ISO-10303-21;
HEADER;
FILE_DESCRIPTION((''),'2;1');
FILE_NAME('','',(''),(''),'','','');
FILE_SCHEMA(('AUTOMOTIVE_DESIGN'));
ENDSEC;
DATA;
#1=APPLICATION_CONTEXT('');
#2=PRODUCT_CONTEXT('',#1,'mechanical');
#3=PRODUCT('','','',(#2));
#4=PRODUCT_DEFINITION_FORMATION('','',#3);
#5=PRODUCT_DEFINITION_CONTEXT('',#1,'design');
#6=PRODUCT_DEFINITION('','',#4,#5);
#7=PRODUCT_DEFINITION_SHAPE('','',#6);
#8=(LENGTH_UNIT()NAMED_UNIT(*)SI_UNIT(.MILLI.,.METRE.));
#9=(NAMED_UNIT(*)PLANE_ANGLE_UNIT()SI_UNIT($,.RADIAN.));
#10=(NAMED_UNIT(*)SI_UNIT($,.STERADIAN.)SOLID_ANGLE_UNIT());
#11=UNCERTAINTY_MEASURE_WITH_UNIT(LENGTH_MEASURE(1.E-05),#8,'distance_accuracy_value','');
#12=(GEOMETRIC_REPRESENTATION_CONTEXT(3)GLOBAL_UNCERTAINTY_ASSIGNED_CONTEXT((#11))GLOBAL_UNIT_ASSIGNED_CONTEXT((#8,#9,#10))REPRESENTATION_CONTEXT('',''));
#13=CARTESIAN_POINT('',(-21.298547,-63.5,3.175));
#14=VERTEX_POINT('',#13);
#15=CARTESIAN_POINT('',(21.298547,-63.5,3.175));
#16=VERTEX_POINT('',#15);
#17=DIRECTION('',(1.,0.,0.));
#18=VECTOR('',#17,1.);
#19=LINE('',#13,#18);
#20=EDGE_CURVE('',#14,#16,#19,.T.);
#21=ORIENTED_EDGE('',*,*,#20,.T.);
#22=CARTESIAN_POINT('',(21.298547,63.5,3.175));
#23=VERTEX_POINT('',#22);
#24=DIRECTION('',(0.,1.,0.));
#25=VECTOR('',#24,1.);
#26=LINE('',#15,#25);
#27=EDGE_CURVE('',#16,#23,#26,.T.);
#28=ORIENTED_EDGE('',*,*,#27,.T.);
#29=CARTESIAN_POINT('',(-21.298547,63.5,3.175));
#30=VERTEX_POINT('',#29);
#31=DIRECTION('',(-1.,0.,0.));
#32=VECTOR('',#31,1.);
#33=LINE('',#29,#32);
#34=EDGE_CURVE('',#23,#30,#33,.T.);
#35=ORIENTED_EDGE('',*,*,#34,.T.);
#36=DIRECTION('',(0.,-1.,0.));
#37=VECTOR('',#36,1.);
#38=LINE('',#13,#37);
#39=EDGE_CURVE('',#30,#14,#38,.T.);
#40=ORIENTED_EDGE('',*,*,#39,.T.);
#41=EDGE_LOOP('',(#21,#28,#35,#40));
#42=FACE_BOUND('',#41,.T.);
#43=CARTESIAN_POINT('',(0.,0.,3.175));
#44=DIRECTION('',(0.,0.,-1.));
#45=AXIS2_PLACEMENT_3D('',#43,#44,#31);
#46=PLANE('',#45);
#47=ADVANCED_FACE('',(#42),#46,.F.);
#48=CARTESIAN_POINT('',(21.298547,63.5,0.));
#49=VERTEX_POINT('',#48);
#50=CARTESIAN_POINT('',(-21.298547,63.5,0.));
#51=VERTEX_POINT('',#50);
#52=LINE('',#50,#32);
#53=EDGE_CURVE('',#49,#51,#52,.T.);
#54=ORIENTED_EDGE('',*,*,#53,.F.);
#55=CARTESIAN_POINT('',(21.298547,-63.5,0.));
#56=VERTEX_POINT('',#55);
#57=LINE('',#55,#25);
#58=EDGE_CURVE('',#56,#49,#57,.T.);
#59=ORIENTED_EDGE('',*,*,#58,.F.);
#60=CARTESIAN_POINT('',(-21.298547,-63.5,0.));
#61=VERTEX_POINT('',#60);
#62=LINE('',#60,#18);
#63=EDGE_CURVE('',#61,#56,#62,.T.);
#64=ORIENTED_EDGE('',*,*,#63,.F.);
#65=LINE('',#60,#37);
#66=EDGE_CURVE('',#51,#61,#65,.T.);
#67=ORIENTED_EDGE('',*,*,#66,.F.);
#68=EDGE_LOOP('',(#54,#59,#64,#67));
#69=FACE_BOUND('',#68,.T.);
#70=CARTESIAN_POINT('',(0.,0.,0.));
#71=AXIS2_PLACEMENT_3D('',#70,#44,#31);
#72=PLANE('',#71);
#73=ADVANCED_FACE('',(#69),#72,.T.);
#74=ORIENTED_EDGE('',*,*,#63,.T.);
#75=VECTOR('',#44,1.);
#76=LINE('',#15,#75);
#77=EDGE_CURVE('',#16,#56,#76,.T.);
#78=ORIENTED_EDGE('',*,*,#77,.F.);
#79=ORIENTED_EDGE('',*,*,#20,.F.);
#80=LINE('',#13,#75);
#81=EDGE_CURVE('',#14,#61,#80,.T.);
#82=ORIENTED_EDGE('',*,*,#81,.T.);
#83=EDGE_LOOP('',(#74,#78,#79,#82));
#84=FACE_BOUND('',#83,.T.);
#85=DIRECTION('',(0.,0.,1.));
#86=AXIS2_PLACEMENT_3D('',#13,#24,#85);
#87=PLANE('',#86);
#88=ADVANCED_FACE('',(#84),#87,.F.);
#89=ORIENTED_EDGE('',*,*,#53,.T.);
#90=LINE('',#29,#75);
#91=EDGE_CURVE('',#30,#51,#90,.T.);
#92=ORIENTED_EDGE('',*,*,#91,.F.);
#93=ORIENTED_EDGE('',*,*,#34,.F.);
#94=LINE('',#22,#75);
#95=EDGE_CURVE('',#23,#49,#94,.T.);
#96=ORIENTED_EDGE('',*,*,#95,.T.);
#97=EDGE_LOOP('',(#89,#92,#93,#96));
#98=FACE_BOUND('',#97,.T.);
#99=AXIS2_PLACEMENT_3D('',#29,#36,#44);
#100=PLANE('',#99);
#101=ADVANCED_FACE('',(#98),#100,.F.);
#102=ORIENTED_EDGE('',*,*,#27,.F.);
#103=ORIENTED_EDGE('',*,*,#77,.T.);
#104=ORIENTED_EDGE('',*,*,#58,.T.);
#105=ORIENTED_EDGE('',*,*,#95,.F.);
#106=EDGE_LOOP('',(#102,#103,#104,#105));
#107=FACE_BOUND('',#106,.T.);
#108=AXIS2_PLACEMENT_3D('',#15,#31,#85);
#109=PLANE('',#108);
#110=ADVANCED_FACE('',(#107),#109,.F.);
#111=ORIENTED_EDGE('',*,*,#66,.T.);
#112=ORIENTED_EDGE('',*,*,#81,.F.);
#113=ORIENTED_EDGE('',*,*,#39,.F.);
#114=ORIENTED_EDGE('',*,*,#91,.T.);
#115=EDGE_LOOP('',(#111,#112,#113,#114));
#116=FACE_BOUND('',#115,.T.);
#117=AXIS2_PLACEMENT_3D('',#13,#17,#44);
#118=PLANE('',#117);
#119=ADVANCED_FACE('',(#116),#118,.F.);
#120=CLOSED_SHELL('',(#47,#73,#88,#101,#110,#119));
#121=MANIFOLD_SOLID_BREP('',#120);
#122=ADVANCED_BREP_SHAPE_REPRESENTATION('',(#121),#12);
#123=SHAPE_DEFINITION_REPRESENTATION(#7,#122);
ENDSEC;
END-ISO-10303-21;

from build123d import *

# Parameters (mm, degrees)
SKETCH1_W           = 42.59709497
SKETCH1_H           = 127
BOSS_EXTRUDE1_DEPTH = 3.175


with BuildPart() as part:
    # Sketch1 → Boss-Extrude1 (new body)
    with BuildSketch(Plane.XY):
        Rectangle(SKETCH1_W, SKETCH1_H)
    extrude(amount=BOSS_EXTRUDE1_DEPTH)


solid = part.part
